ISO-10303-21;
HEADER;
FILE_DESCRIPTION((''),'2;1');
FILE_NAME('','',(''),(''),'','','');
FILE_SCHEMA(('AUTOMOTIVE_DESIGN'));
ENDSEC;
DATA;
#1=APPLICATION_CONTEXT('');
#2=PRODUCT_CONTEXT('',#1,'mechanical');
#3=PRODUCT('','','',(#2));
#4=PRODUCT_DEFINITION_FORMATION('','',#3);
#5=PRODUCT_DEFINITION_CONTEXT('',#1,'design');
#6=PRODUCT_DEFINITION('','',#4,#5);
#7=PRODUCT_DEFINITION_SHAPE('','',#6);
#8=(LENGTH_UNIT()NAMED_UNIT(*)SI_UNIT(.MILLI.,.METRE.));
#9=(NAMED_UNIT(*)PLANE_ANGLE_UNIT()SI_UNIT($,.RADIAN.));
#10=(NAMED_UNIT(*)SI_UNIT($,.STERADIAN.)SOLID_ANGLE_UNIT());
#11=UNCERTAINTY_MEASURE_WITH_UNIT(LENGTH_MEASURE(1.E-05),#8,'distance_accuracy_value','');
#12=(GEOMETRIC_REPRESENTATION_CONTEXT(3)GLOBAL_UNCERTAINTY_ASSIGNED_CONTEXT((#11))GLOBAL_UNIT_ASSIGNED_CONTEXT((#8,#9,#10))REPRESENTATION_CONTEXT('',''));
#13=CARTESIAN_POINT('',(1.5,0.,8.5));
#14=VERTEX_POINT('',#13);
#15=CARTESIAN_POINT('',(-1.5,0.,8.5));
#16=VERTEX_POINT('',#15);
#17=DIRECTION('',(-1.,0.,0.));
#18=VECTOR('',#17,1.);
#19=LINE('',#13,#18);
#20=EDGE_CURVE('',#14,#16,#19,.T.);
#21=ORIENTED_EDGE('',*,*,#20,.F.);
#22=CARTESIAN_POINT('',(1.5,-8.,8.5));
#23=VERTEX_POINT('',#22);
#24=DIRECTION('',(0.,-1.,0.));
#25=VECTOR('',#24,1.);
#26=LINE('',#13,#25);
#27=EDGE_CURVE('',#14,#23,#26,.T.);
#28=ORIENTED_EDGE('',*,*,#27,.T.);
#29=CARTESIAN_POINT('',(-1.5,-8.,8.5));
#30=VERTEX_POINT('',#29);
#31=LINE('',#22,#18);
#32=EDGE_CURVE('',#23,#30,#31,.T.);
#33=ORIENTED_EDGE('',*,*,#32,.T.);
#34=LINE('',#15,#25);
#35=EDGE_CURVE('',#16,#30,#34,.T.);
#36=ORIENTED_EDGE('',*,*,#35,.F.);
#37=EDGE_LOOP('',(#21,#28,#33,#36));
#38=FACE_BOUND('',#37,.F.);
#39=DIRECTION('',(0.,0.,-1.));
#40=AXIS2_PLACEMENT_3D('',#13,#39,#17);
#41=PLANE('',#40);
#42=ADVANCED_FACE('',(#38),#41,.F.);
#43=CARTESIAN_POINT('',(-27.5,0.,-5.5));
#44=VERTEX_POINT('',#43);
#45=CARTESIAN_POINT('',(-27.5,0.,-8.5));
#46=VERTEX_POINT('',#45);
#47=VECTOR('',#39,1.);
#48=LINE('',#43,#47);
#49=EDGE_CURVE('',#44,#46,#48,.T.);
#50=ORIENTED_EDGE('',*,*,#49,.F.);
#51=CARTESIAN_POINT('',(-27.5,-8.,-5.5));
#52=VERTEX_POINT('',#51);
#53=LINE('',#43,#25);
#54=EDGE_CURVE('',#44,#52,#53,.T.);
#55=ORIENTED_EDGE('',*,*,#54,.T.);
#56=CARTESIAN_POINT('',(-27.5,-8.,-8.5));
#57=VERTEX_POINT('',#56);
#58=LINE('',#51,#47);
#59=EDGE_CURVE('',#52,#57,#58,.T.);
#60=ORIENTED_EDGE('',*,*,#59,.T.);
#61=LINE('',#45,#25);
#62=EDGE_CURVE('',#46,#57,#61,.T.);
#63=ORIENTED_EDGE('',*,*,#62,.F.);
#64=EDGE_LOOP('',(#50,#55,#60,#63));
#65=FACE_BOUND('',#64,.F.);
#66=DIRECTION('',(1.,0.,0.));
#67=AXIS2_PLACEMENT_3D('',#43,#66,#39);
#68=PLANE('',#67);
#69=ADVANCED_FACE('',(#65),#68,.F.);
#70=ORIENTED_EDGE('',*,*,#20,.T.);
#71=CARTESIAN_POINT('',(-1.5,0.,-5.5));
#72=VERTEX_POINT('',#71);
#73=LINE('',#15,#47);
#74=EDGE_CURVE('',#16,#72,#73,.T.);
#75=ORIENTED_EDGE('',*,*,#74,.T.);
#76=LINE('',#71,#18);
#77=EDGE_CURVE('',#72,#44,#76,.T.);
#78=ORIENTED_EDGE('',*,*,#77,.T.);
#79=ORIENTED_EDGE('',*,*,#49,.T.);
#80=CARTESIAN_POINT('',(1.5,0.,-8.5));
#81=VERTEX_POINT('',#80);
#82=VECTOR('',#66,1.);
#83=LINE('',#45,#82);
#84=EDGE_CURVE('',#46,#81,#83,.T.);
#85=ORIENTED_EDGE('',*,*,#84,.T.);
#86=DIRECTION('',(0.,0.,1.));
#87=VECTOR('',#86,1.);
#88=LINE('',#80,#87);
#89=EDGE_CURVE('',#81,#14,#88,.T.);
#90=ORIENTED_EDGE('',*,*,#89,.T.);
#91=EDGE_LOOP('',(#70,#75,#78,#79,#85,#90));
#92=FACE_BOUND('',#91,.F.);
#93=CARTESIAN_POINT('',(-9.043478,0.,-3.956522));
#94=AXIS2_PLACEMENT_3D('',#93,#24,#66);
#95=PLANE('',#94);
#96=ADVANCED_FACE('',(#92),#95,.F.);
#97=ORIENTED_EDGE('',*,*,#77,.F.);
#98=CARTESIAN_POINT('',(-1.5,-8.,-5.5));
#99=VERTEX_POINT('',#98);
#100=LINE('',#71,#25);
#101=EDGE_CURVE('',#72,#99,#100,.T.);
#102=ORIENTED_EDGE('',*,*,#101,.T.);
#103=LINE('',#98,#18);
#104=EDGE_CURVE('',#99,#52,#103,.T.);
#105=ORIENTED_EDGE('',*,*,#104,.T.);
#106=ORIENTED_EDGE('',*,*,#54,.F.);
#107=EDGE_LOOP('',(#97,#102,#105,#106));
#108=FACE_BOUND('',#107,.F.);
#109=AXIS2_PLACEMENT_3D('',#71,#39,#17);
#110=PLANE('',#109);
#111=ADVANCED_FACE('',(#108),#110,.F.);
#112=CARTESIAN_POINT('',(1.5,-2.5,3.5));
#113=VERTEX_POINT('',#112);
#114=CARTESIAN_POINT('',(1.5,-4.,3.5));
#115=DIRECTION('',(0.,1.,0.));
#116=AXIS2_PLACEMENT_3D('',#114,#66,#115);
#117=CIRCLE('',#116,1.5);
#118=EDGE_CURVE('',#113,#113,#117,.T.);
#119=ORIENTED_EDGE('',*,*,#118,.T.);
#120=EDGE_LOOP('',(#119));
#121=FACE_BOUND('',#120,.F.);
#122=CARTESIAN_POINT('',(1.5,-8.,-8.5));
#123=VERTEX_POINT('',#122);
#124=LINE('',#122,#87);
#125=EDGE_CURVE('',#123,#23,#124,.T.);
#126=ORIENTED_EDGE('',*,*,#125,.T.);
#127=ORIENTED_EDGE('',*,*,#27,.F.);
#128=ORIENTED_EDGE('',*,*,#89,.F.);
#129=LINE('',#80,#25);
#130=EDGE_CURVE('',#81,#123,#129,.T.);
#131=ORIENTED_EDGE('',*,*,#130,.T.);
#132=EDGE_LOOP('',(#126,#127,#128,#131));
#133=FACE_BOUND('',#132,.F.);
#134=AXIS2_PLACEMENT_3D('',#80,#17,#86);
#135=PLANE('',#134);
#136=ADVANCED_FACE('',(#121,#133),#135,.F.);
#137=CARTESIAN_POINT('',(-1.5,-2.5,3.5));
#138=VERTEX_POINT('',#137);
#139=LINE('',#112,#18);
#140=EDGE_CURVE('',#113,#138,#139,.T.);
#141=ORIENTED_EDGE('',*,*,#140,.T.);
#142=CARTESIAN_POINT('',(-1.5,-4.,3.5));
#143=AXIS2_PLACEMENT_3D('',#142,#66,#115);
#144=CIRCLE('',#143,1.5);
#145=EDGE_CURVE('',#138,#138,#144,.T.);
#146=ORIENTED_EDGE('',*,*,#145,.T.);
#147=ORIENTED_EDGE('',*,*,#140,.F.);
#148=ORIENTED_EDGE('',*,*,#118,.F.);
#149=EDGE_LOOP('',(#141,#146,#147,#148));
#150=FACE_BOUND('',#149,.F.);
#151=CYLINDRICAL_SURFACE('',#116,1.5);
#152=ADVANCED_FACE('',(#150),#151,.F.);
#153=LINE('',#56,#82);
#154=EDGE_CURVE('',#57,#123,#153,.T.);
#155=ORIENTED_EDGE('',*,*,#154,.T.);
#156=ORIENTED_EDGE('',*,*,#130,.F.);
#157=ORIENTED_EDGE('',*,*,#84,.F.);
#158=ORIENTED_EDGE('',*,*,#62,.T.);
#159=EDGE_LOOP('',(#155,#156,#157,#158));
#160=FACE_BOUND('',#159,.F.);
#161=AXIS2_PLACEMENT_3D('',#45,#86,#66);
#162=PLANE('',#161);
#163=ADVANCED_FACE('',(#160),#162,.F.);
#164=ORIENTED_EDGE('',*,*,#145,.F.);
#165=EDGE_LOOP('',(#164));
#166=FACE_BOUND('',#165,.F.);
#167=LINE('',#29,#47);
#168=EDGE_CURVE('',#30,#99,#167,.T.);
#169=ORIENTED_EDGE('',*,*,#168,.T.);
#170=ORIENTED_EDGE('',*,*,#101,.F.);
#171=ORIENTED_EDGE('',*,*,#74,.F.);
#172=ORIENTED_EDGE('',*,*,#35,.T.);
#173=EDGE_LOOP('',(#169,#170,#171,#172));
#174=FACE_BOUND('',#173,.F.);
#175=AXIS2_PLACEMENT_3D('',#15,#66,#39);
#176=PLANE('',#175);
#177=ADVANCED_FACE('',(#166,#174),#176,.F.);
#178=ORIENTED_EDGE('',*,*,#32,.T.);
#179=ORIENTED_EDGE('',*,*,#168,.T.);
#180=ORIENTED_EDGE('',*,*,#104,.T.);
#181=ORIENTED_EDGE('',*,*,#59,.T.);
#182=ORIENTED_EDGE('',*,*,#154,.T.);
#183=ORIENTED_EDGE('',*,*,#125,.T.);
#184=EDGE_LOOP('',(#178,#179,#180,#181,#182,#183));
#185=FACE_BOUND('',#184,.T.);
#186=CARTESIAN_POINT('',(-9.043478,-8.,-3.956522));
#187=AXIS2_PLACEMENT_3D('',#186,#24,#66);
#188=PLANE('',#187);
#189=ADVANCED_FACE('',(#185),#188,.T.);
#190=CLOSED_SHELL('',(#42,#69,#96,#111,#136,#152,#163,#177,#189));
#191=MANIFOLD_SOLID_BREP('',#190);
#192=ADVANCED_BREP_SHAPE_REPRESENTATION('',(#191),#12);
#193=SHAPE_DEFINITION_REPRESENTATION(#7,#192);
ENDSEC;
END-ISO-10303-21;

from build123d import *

# Parameters (mm, degrees)
F1_DEPTH = 8
F2_R     = 1.5
F3_DEPTH = 25


with BuildPart() as f1:
    # F0 (on Front) → F1 (new body)
    with BuildSketch(Plane.XZ):
        Polygon((1.5, 8.5), (-1.5, 8.5), (-1.5, -5.5), (-27.5, -5.5), (-27.5, -8.5), (-1.5, -8.5), (1.5, -8.5), align=None)
    extrude(amount=F1_DEPTH)

    # F2 (on face) → F3 (cut)
    with BuildSketch(Plane.YZ.offset(1.5)):
        with Locations((-4, 3.5)):
            Circle(F2_R)
    extrude(amount=-F3_DEPTH, mode=Mode.SUBTRACT)


solid = f1.part
